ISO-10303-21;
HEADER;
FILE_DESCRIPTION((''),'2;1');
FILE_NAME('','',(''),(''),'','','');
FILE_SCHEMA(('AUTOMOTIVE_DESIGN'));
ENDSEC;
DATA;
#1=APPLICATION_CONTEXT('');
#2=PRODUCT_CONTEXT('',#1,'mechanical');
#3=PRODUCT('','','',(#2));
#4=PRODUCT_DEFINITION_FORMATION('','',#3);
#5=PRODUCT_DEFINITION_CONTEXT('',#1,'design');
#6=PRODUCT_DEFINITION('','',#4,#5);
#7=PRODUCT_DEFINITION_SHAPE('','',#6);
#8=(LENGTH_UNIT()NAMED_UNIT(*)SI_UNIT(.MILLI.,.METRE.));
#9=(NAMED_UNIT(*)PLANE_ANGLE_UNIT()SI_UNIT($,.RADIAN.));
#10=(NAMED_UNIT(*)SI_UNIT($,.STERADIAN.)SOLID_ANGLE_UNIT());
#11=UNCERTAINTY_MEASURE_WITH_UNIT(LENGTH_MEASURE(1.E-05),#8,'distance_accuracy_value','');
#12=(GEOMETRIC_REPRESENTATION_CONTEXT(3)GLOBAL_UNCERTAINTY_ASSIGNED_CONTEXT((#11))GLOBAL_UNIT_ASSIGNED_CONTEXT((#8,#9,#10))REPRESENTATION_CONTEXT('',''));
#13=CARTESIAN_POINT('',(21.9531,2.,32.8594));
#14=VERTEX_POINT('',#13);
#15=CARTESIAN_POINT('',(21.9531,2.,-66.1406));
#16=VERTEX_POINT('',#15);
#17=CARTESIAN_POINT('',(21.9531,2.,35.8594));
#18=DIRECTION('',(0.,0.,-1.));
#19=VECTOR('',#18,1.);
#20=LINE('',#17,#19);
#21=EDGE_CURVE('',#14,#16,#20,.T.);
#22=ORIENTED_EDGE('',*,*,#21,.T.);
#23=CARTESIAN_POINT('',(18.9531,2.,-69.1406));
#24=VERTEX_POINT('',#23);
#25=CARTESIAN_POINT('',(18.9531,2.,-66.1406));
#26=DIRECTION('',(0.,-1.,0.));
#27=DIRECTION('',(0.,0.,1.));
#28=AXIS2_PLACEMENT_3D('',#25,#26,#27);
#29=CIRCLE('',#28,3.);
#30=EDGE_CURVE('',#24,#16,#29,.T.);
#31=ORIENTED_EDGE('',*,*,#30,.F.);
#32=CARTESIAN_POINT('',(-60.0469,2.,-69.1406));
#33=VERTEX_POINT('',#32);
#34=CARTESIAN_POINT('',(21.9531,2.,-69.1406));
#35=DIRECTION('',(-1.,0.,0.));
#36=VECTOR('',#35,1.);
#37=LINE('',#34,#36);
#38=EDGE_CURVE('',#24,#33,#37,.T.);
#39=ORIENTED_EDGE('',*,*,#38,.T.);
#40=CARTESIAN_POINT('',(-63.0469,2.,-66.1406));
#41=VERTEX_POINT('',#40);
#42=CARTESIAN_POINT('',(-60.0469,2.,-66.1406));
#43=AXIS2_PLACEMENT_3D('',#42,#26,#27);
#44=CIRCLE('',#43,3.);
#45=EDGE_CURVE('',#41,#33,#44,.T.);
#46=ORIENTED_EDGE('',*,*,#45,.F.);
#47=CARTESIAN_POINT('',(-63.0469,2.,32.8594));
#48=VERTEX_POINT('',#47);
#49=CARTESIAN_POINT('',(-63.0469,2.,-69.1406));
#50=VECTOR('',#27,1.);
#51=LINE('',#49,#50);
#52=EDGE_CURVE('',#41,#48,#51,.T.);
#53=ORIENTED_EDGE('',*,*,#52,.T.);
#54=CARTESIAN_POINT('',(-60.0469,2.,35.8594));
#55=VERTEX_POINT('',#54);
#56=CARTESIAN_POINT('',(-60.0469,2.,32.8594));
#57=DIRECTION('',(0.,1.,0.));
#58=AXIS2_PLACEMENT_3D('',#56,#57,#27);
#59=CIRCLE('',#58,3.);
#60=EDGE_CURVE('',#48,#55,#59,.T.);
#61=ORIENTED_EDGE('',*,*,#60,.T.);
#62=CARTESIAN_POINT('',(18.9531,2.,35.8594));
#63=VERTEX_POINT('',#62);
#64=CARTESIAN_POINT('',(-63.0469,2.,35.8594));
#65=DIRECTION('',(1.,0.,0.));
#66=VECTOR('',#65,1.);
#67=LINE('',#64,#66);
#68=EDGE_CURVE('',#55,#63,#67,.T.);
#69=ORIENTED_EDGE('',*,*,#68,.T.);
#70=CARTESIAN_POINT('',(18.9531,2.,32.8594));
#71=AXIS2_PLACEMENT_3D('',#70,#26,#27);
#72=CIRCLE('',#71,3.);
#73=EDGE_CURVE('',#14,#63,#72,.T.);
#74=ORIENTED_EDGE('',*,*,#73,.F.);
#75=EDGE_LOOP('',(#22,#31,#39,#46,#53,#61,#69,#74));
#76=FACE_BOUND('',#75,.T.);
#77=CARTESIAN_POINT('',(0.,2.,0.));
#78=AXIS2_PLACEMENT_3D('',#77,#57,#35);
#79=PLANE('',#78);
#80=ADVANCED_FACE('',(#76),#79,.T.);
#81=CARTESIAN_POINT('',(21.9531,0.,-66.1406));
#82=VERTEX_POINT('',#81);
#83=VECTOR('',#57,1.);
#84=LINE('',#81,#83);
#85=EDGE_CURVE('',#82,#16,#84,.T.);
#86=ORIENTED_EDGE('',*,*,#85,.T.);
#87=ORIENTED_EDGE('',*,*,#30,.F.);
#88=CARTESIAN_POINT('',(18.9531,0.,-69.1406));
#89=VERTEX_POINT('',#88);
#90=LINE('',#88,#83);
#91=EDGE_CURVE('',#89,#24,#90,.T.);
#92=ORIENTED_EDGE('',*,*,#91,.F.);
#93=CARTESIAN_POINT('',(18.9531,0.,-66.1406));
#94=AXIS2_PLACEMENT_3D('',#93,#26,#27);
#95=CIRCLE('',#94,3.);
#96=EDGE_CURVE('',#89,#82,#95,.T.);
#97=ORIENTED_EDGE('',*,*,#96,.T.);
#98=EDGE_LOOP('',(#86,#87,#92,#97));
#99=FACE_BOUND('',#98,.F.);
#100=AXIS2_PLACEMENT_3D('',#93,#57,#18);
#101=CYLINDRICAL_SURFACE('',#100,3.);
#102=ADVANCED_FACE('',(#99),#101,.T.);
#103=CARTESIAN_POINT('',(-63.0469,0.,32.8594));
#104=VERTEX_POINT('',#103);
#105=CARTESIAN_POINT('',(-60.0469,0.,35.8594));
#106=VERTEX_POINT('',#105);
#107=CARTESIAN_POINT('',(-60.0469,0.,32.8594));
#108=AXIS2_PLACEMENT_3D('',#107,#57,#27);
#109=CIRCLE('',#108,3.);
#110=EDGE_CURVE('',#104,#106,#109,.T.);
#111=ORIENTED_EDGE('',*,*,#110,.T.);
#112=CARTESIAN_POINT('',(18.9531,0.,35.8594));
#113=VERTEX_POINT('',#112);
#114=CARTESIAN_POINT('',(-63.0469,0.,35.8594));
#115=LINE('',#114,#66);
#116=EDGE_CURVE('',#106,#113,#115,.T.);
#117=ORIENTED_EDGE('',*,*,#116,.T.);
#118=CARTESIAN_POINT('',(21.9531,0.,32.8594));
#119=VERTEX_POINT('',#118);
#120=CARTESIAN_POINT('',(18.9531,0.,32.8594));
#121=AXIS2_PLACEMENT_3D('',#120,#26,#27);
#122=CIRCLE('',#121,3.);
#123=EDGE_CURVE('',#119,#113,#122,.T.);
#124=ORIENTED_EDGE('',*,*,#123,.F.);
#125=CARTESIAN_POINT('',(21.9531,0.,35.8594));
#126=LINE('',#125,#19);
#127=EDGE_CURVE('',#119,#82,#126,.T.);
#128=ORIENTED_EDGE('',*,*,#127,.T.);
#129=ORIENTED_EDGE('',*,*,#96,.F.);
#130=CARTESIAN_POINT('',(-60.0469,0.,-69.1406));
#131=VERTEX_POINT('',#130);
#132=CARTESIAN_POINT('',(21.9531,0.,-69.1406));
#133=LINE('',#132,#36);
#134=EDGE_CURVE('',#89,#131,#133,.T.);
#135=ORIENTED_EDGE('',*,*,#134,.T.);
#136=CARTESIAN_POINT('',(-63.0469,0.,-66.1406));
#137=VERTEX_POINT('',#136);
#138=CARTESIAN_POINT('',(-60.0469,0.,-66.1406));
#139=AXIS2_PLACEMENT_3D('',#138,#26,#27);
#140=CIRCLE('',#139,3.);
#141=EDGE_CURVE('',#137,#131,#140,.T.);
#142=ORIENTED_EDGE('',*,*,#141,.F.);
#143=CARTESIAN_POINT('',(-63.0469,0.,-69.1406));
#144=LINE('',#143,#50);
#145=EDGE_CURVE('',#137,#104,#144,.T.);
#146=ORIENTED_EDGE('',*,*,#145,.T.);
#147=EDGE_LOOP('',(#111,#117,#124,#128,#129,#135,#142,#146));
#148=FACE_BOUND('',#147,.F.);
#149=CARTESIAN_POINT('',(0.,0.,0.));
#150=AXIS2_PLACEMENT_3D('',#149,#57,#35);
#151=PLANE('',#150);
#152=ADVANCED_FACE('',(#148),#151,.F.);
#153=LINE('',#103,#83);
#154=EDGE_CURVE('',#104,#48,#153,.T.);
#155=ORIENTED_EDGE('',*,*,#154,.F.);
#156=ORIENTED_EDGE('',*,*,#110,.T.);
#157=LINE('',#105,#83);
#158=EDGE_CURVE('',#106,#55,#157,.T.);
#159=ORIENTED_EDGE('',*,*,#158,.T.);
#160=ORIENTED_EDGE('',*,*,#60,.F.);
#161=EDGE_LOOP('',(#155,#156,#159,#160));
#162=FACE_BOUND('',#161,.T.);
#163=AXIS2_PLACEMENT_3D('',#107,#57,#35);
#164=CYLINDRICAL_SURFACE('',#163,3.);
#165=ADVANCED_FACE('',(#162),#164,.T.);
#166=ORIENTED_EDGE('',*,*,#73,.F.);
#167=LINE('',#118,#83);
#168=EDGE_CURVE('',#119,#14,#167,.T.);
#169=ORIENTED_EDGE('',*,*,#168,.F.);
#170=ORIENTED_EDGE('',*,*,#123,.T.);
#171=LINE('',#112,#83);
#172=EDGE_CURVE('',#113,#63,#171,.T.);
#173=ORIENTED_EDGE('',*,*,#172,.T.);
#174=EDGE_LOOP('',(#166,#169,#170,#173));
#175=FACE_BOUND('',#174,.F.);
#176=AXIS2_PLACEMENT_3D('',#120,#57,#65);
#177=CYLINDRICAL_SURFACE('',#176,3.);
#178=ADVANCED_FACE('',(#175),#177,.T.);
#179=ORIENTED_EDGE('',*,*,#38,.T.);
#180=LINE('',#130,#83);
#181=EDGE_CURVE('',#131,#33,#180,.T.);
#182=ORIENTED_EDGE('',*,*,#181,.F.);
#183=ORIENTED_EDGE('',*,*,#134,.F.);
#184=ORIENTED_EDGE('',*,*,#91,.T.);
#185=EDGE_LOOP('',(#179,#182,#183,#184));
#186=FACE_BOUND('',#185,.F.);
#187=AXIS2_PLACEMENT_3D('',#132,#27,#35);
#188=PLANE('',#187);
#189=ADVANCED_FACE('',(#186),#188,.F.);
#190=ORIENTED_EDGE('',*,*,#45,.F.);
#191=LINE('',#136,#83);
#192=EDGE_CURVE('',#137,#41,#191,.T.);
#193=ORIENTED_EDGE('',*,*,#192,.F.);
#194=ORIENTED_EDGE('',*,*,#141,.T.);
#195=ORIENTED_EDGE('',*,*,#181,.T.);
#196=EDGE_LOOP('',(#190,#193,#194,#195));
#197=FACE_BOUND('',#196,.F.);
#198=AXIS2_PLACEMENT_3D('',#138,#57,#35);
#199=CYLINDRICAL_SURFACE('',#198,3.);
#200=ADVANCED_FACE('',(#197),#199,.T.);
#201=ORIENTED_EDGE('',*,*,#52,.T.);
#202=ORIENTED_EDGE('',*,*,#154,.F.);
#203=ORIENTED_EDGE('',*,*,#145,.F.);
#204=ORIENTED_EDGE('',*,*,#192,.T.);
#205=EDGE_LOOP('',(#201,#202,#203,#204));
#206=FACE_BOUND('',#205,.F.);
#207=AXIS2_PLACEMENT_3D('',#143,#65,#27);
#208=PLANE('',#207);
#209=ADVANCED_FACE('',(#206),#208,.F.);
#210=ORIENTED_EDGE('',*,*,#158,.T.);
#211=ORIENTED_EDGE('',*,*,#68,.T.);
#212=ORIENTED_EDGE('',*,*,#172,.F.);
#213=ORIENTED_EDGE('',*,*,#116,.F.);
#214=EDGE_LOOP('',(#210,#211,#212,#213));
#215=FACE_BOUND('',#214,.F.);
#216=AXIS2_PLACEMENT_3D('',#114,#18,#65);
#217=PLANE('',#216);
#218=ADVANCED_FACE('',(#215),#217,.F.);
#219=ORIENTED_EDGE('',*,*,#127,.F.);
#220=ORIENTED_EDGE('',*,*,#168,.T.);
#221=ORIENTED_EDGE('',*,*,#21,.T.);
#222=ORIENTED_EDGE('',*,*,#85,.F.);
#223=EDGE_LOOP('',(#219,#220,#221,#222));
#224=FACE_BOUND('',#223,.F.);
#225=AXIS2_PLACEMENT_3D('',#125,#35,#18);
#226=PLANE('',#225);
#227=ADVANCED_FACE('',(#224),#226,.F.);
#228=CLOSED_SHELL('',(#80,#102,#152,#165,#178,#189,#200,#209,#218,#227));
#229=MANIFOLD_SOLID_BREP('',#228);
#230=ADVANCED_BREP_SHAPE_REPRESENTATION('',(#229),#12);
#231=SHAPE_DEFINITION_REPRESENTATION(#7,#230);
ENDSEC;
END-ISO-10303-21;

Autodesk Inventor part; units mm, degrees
ref_plane "YZ Plane" through (0, 0, 0) normal (1, 0, 0) x (0, 1, 0)
ref_plane "XZ Plane" through (0, 0, 0) normal (0, 1, 0) x (-1, 0, 0)
ref_plane "XY Plane" through (0, 0, 0) normal (0, 0, 1) x (1, 0, 0)
sketch "Schizzo1" plane through (0, 0, 0) normal (0, 1, 0) x (-1, 0, 0)
  line L0 (63.0469, 35.8594) -> (-21.9531, 35.8594)
  line L1 (-21.9531, 35.8594) -> (-21.9531, -69.1406)
  line L2 (-21.9531, -69.1406) -> (63.0469, -69.1406)
  line L3 (63.0469, -69.1406) -> (63.0469, 35.8594)
  point P0 (0, 0)
  dimension "d2" = 85
  dimension "d3" = 105
extrude "Estrusione1" add sketch "Schizzo1" along normal blind 2
fillet "Raccordo1" radius 3 4 edges at (21.9531, 1, 35.8594) (21.9531, 1, -69.1406) (-63.0469, 1, -69.1406) (-63.0469, 1, 35.8594)
properties part number "Motor Plate"
